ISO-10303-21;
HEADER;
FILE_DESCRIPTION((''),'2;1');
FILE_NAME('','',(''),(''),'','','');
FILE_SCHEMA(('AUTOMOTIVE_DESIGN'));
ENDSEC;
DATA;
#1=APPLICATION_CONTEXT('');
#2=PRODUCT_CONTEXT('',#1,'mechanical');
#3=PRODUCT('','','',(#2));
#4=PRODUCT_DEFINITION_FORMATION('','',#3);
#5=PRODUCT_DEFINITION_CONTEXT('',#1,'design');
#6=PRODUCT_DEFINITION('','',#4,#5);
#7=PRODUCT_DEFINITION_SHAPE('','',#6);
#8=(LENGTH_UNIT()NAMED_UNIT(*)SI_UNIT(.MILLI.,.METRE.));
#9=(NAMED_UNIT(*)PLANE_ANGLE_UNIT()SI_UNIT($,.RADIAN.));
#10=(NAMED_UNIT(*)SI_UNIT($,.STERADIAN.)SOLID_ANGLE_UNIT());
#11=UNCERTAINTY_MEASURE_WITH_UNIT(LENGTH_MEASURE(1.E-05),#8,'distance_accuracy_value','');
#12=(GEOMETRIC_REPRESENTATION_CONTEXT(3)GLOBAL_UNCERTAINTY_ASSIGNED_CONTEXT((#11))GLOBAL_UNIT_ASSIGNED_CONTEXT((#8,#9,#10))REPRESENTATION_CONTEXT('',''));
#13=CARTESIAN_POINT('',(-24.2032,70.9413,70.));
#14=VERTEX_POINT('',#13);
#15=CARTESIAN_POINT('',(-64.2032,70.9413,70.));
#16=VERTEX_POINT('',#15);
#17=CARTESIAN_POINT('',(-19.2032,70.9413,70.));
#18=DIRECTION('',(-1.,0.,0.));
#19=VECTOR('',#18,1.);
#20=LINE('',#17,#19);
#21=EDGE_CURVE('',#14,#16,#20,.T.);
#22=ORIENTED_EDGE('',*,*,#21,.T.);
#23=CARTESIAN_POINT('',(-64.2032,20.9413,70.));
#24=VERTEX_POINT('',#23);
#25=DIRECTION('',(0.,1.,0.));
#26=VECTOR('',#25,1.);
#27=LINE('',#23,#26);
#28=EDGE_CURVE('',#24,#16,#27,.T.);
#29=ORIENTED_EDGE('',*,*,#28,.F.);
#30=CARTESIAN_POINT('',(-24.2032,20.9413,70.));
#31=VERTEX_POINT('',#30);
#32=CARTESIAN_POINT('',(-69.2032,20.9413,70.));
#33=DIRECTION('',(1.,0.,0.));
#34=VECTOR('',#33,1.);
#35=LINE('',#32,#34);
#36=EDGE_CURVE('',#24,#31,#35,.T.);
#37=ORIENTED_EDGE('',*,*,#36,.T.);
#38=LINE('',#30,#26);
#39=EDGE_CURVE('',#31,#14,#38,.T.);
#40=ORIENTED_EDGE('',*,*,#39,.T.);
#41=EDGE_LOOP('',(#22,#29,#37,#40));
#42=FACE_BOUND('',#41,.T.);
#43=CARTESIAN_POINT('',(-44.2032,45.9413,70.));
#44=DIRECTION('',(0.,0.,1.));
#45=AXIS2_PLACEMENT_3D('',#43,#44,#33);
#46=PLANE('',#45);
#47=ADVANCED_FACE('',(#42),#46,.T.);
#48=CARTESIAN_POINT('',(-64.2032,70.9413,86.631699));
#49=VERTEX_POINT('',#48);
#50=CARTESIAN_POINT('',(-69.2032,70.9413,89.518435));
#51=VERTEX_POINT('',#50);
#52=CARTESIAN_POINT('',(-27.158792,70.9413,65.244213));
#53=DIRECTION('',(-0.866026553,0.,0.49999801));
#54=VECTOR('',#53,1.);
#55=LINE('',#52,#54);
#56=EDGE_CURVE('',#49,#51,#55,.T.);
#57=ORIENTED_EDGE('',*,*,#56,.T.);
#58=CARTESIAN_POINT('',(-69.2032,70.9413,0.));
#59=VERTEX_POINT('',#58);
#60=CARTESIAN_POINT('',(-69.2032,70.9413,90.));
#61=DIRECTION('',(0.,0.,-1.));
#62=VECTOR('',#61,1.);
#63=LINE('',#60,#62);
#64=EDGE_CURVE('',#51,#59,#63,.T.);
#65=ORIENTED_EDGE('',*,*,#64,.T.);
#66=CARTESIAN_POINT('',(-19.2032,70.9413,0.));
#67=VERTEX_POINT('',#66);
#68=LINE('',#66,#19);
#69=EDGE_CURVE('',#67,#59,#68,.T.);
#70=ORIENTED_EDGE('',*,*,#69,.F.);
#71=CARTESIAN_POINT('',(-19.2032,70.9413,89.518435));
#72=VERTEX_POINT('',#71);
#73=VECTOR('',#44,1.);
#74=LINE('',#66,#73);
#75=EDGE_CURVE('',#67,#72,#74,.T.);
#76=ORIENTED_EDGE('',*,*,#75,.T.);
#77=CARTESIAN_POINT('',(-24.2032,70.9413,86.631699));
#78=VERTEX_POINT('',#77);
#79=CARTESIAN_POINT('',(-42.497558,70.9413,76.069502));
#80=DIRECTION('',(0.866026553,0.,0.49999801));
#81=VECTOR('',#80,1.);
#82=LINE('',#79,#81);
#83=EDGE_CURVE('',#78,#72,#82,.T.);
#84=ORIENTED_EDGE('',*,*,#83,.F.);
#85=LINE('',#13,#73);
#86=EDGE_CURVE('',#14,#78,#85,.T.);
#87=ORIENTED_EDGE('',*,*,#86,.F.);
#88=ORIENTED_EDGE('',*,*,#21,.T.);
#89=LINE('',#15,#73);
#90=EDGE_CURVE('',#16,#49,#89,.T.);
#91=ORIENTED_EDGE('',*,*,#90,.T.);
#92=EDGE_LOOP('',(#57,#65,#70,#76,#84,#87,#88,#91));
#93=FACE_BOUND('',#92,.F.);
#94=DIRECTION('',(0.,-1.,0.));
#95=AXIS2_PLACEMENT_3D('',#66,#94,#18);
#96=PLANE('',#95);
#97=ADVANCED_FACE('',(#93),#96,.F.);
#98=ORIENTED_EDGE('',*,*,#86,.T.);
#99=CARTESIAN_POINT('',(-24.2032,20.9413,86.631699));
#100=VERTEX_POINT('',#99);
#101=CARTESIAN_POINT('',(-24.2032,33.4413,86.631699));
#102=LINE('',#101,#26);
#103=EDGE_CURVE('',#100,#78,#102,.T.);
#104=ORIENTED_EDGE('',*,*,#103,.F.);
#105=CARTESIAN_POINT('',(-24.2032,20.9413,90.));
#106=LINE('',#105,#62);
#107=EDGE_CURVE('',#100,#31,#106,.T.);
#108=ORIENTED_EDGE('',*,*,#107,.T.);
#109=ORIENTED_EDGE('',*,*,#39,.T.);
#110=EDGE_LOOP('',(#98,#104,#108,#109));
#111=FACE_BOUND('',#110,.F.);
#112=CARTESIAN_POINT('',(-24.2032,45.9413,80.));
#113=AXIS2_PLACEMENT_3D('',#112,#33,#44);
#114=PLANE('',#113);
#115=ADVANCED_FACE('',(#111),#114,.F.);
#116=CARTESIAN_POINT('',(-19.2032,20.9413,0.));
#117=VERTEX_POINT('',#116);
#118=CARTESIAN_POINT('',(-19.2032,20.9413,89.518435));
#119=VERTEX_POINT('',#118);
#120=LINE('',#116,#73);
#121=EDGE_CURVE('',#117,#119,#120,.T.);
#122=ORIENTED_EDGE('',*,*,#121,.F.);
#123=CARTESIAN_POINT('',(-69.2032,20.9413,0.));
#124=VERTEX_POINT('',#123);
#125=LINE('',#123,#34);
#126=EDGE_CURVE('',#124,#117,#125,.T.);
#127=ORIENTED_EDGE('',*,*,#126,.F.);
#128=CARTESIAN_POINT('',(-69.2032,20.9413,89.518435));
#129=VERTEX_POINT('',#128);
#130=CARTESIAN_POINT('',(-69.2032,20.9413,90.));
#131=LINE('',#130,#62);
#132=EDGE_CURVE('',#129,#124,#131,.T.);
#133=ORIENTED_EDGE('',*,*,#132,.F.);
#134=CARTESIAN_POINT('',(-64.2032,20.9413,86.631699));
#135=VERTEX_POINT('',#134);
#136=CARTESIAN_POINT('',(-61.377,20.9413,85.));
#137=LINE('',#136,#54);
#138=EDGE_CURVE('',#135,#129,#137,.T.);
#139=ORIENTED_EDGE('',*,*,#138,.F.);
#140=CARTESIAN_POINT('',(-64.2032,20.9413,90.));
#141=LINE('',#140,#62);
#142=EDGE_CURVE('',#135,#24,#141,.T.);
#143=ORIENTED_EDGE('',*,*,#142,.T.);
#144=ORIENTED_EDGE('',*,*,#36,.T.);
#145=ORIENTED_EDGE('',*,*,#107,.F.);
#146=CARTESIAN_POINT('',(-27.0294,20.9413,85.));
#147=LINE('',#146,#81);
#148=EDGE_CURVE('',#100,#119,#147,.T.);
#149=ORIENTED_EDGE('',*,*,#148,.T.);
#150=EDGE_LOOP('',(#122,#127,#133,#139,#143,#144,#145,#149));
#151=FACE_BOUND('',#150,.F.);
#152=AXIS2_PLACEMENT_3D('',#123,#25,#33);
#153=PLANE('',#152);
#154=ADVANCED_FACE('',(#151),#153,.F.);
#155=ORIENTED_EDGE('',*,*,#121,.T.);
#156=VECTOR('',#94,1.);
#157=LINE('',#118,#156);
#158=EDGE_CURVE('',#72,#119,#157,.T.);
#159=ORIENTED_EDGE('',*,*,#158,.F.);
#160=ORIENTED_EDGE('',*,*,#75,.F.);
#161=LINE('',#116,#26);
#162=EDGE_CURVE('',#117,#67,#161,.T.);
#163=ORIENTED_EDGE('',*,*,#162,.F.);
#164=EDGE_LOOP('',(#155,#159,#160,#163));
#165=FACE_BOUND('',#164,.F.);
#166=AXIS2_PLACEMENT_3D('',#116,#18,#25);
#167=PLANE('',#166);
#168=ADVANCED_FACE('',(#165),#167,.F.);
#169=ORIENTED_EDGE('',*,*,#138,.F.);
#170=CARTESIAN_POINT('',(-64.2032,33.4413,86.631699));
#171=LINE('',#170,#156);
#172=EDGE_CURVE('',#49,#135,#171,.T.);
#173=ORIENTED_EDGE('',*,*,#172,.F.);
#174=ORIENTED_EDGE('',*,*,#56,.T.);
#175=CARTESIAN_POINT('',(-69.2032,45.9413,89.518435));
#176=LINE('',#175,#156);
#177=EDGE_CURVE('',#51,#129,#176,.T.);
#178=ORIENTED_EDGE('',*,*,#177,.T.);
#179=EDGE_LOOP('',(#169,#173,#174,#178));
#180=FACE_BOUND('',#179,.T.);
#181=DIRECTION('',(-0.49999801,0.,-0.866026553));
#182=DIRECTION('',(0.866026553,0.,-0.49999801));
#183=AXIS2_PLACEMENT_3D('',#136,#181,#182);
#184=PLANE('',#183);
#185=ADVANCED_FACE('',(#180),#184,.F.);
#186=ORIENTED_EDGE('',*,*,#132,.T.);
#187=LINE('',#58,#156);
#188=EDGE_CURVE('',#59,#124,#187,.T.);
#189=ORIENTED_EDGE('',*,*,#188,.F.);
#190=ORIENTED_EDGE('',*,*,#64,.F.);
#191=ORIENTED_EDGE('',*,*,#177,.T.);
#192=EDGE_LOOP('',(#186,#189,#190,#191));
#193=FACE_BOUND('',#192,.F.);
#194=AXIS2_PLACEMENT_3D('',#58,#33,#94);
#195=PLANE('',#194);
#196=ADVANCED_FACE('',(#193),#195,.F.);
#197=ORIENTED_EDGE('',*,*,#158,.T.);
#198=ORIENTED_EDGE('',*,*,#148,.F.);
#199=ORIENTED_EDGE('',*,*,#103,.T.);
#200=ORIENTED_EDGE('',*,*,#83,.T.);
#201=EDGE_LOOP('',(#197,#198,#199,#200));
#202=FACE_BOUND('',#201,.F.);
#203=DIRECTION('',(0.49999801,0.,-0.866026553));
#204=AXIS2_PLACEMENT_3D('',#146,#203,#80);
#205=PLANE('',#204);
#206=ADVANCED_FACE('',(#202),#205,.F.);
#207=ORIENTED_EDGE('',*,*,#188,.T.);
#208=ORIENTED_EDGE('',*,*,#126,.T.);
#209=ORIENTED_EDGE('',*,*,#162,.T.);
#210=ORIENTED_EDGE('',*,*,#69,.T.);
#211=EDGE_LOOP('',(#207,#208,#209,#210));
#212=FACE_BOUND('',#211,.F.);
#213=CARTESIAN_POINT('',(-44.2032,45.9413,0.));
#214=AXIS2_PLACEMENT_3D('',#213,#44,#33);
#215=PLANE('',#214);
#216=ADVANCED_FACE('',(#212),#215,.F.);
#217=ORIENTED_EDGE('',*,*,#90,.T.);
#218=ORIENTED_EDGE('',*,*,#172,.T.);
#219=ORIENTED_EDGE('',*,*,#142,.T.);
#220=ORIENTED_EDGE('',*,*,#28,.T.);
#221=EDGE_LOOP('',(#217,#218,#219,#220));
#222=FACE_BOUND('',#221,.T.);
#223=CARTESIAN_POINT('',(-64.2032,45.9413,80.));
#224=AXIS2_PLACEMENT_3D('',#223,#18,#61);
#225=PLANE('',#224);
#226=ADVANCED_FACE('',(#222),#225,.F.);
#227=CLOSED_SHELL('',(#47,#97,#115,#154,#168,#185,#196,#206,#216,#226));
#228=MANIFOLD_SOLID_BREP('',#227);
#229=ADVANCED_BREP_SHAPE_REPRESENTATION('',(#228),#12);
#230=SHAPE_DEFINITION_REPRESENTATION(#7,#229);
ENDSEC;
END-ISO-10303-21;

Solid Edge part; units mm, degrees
sketch "Sketch1" plane through (0, 0, 0) normal (0, 0, 1) x (1, 0, 0)
  line L0 (-69.2032, 20.9413) -> (-19.2032, 20.9413)
  line L1 (-19.2032, 20.9413) -> (-19.2032, 70.9413)
  line L2 (-19.2032, 70.9413) -> (-69.2032, 70.9413)
  line L3 (-69.2032, 70.9413) -> (-69.2032, 20.9413)
extrude "Protrusion1" add sketch "Sketch1" along normal blind 70
sketch "Sketch2" plane through (-19.2032, 45.9413, 5) normal (1, 0, 0) x (0, 1, 0)
  line L0 (-25, 65) -> (25, 65)
  line L1 (25, 65) -> (25, 85)
  line L2 (25, 85) -> (-25, 85)
  line L3 (-25, 85) -> (-25, 65)
  dimension "D1" = 20
  dimension "D2" = 50
extrude "ExtrudedProtrusion_2" add sketch "Sketch2" against normal blind 5
sketch "Sketch3" plane through (-44.2032, 20.9413, 30) normal (0, -1, 0) x (1, 0, 0)
  line L0 (17.1738, 55) -> (25.8341, 60)
  line L1 (25.8341, 60) -> (20.8341, 68.6602)
  line L2 (20.8341, 68.6602) -> (12.1738, 63.6602)
  line L3 (12.1738, 63.6602) -> (17.1738, 55)
  dimension "D1" = 10
  dimension "D2" = 10
extrude "Cutout1" cut sketch "Sketch3" against normal through all
mirror "Mirror1" about plane through (-44.2032, 45.9413, 30) normal (1, 0, 0) of "ExtrudedProtrusion_2", "Cutout1"
